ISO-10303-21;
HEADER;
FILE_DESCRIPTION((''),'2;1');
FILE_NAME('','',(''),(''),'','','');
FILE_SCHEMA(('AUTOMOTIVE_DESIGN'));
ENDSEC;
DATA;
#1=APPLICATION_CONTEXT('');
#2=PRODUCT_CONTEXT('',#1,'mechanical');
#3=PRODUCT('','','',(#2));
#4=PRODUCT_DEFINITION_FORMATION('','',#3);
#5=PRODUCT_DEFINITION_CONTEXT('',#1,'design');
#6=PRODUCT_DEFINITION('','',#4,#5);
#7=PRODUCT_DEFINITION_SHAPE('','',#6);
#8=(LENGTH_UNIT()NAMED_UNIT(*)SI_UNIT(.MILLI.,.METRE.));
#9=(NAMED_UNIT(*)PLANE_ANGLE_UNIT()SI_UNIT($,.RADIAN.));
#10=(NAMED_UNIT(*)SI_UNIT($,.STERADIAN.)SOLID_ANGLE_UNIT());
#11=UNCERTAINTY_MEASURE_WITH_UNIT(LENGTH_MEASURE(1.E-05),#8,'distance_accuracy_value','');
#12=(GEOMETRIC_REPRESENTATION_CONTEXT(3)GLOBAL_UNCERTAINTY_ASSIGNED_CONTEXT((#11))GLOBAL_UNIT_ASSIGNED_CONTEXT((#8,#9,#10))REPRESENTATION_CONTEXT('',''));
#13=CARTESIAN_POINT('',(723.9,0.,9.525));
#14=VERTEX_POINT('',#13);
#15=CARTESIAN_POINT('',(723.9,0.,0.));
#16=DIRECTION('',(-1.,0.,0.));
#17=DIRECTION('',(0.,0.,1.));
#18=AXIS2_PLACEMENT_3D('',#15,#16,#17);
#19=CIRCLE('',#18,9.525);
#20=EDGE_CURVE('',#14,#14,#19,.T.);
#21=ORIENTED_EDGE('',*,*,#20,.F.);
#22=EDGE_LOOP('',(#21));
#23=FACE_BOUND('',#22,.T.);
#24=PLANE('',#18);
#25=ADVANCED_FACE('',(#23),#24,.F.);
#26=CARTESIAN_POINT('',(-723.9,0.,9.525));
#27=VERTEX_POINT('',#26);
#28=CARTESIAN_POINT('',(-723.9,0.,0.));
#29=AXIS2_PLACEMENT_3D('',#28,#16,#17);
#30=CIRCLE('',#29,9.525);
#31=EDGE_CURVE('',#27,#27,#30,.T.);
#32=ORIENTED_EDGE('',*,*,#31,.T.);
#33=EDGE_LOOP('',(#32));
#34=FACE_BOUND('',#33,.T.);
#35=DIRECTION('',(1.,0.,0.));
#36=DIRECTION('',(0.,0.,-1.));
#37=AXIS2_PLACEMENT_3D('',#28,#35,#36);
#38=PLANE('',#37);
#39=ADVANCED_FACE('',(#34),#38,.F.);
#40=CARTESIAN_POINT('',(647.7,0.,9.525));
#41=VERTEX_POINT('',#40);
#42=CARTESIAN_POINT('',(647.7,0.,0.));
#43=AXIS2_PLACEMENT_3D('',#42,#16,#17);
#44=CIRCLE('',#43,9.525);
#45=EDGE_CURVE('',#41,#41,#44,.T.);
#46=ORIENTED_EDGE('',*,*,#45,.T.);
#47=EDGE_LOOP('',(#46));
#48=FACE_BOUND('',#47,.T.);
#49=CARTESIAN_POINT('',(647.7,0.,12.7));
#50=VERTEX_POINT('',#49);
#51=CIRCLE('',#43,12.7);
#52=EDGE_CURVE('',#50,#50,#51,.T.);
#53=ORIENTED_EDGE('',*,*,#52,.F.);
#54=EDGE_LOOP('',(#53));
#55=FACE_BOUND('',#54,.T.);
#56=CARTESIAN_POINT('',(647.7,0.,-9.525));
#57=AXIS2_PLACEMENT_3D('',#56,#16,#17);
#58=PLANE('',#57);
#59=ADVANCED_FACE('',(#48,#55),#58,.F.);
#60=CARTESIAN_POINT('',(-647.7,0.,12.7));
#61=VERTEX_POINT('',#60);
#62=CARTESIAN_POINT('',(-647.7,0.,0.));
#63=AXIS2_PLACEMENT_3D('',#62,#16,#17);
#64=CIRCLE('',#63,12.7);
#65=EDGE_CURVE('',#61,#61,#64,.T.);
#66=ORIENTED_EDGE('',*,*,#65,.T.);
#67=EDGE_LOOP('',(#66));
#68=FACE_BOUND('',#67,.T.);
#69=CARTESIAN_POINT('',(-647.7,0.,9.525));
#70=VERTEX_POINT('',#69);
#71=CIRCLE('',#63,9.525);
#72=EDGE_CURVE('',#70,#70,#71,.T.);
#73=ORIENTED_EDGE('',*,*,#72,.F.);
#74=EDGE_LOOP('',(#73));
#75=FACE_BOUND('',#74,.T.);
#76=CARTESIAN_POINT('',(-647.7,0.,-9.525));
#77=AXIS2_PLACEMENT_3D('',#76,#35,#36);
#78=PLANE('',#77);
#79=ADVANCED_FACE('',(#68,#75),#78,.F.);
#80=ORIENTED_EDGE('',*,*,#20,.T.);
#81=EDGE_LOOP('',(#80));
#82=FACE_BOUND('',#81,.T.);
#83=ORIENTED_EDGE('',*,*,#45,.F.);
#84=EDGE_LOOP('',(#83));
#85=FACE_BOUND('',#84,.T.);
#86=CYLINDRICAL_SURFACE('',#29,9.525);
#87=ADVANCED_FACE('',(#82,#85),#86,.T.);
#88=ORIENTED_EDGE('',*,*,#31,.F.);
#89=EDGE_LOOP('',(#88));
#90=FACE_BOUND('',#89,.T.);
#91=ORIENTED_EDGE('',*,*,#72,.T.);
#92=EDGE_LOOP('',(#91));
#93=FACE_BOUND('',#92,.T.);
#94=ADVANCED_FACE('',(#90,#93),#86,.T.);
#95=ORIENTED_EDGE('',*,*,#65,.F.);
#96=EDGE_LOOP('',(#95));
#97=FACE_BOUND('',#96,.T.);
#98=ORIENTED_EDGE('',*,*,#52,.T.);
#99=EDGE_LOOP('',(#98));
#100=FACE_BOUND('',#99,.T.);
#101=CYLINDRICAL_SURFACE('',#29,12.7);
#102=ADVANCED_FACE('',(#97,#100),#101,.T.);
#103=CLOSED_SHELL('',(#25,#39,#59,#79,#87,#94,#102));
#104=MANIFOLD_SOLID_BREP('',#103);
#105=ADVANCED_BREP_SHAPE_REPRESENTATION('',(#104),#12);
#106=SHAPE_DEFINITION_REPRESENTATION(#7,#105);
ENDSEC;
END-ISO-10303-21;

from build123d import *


with BuildPart() as part:
    # Sketch2 → Revolve1 (revolve)
    with BuildSketch(Plane(origin=(0, 0, 0), x_dir=(1, 0, 0), z_dir=(0, 1, 0))):
        Polygon((-723.9, 0), (723.9, 0), (723.9, 9.525), (647.7, 9.525), (647.7, 12.7), (-647.7, 12.7), (-647.7, 9.525), (-723.9, 9.525), align=None)
    revolve(axis=Axis((-723.9, 0, 0), (1, 0, 0)))


solid = part.part
